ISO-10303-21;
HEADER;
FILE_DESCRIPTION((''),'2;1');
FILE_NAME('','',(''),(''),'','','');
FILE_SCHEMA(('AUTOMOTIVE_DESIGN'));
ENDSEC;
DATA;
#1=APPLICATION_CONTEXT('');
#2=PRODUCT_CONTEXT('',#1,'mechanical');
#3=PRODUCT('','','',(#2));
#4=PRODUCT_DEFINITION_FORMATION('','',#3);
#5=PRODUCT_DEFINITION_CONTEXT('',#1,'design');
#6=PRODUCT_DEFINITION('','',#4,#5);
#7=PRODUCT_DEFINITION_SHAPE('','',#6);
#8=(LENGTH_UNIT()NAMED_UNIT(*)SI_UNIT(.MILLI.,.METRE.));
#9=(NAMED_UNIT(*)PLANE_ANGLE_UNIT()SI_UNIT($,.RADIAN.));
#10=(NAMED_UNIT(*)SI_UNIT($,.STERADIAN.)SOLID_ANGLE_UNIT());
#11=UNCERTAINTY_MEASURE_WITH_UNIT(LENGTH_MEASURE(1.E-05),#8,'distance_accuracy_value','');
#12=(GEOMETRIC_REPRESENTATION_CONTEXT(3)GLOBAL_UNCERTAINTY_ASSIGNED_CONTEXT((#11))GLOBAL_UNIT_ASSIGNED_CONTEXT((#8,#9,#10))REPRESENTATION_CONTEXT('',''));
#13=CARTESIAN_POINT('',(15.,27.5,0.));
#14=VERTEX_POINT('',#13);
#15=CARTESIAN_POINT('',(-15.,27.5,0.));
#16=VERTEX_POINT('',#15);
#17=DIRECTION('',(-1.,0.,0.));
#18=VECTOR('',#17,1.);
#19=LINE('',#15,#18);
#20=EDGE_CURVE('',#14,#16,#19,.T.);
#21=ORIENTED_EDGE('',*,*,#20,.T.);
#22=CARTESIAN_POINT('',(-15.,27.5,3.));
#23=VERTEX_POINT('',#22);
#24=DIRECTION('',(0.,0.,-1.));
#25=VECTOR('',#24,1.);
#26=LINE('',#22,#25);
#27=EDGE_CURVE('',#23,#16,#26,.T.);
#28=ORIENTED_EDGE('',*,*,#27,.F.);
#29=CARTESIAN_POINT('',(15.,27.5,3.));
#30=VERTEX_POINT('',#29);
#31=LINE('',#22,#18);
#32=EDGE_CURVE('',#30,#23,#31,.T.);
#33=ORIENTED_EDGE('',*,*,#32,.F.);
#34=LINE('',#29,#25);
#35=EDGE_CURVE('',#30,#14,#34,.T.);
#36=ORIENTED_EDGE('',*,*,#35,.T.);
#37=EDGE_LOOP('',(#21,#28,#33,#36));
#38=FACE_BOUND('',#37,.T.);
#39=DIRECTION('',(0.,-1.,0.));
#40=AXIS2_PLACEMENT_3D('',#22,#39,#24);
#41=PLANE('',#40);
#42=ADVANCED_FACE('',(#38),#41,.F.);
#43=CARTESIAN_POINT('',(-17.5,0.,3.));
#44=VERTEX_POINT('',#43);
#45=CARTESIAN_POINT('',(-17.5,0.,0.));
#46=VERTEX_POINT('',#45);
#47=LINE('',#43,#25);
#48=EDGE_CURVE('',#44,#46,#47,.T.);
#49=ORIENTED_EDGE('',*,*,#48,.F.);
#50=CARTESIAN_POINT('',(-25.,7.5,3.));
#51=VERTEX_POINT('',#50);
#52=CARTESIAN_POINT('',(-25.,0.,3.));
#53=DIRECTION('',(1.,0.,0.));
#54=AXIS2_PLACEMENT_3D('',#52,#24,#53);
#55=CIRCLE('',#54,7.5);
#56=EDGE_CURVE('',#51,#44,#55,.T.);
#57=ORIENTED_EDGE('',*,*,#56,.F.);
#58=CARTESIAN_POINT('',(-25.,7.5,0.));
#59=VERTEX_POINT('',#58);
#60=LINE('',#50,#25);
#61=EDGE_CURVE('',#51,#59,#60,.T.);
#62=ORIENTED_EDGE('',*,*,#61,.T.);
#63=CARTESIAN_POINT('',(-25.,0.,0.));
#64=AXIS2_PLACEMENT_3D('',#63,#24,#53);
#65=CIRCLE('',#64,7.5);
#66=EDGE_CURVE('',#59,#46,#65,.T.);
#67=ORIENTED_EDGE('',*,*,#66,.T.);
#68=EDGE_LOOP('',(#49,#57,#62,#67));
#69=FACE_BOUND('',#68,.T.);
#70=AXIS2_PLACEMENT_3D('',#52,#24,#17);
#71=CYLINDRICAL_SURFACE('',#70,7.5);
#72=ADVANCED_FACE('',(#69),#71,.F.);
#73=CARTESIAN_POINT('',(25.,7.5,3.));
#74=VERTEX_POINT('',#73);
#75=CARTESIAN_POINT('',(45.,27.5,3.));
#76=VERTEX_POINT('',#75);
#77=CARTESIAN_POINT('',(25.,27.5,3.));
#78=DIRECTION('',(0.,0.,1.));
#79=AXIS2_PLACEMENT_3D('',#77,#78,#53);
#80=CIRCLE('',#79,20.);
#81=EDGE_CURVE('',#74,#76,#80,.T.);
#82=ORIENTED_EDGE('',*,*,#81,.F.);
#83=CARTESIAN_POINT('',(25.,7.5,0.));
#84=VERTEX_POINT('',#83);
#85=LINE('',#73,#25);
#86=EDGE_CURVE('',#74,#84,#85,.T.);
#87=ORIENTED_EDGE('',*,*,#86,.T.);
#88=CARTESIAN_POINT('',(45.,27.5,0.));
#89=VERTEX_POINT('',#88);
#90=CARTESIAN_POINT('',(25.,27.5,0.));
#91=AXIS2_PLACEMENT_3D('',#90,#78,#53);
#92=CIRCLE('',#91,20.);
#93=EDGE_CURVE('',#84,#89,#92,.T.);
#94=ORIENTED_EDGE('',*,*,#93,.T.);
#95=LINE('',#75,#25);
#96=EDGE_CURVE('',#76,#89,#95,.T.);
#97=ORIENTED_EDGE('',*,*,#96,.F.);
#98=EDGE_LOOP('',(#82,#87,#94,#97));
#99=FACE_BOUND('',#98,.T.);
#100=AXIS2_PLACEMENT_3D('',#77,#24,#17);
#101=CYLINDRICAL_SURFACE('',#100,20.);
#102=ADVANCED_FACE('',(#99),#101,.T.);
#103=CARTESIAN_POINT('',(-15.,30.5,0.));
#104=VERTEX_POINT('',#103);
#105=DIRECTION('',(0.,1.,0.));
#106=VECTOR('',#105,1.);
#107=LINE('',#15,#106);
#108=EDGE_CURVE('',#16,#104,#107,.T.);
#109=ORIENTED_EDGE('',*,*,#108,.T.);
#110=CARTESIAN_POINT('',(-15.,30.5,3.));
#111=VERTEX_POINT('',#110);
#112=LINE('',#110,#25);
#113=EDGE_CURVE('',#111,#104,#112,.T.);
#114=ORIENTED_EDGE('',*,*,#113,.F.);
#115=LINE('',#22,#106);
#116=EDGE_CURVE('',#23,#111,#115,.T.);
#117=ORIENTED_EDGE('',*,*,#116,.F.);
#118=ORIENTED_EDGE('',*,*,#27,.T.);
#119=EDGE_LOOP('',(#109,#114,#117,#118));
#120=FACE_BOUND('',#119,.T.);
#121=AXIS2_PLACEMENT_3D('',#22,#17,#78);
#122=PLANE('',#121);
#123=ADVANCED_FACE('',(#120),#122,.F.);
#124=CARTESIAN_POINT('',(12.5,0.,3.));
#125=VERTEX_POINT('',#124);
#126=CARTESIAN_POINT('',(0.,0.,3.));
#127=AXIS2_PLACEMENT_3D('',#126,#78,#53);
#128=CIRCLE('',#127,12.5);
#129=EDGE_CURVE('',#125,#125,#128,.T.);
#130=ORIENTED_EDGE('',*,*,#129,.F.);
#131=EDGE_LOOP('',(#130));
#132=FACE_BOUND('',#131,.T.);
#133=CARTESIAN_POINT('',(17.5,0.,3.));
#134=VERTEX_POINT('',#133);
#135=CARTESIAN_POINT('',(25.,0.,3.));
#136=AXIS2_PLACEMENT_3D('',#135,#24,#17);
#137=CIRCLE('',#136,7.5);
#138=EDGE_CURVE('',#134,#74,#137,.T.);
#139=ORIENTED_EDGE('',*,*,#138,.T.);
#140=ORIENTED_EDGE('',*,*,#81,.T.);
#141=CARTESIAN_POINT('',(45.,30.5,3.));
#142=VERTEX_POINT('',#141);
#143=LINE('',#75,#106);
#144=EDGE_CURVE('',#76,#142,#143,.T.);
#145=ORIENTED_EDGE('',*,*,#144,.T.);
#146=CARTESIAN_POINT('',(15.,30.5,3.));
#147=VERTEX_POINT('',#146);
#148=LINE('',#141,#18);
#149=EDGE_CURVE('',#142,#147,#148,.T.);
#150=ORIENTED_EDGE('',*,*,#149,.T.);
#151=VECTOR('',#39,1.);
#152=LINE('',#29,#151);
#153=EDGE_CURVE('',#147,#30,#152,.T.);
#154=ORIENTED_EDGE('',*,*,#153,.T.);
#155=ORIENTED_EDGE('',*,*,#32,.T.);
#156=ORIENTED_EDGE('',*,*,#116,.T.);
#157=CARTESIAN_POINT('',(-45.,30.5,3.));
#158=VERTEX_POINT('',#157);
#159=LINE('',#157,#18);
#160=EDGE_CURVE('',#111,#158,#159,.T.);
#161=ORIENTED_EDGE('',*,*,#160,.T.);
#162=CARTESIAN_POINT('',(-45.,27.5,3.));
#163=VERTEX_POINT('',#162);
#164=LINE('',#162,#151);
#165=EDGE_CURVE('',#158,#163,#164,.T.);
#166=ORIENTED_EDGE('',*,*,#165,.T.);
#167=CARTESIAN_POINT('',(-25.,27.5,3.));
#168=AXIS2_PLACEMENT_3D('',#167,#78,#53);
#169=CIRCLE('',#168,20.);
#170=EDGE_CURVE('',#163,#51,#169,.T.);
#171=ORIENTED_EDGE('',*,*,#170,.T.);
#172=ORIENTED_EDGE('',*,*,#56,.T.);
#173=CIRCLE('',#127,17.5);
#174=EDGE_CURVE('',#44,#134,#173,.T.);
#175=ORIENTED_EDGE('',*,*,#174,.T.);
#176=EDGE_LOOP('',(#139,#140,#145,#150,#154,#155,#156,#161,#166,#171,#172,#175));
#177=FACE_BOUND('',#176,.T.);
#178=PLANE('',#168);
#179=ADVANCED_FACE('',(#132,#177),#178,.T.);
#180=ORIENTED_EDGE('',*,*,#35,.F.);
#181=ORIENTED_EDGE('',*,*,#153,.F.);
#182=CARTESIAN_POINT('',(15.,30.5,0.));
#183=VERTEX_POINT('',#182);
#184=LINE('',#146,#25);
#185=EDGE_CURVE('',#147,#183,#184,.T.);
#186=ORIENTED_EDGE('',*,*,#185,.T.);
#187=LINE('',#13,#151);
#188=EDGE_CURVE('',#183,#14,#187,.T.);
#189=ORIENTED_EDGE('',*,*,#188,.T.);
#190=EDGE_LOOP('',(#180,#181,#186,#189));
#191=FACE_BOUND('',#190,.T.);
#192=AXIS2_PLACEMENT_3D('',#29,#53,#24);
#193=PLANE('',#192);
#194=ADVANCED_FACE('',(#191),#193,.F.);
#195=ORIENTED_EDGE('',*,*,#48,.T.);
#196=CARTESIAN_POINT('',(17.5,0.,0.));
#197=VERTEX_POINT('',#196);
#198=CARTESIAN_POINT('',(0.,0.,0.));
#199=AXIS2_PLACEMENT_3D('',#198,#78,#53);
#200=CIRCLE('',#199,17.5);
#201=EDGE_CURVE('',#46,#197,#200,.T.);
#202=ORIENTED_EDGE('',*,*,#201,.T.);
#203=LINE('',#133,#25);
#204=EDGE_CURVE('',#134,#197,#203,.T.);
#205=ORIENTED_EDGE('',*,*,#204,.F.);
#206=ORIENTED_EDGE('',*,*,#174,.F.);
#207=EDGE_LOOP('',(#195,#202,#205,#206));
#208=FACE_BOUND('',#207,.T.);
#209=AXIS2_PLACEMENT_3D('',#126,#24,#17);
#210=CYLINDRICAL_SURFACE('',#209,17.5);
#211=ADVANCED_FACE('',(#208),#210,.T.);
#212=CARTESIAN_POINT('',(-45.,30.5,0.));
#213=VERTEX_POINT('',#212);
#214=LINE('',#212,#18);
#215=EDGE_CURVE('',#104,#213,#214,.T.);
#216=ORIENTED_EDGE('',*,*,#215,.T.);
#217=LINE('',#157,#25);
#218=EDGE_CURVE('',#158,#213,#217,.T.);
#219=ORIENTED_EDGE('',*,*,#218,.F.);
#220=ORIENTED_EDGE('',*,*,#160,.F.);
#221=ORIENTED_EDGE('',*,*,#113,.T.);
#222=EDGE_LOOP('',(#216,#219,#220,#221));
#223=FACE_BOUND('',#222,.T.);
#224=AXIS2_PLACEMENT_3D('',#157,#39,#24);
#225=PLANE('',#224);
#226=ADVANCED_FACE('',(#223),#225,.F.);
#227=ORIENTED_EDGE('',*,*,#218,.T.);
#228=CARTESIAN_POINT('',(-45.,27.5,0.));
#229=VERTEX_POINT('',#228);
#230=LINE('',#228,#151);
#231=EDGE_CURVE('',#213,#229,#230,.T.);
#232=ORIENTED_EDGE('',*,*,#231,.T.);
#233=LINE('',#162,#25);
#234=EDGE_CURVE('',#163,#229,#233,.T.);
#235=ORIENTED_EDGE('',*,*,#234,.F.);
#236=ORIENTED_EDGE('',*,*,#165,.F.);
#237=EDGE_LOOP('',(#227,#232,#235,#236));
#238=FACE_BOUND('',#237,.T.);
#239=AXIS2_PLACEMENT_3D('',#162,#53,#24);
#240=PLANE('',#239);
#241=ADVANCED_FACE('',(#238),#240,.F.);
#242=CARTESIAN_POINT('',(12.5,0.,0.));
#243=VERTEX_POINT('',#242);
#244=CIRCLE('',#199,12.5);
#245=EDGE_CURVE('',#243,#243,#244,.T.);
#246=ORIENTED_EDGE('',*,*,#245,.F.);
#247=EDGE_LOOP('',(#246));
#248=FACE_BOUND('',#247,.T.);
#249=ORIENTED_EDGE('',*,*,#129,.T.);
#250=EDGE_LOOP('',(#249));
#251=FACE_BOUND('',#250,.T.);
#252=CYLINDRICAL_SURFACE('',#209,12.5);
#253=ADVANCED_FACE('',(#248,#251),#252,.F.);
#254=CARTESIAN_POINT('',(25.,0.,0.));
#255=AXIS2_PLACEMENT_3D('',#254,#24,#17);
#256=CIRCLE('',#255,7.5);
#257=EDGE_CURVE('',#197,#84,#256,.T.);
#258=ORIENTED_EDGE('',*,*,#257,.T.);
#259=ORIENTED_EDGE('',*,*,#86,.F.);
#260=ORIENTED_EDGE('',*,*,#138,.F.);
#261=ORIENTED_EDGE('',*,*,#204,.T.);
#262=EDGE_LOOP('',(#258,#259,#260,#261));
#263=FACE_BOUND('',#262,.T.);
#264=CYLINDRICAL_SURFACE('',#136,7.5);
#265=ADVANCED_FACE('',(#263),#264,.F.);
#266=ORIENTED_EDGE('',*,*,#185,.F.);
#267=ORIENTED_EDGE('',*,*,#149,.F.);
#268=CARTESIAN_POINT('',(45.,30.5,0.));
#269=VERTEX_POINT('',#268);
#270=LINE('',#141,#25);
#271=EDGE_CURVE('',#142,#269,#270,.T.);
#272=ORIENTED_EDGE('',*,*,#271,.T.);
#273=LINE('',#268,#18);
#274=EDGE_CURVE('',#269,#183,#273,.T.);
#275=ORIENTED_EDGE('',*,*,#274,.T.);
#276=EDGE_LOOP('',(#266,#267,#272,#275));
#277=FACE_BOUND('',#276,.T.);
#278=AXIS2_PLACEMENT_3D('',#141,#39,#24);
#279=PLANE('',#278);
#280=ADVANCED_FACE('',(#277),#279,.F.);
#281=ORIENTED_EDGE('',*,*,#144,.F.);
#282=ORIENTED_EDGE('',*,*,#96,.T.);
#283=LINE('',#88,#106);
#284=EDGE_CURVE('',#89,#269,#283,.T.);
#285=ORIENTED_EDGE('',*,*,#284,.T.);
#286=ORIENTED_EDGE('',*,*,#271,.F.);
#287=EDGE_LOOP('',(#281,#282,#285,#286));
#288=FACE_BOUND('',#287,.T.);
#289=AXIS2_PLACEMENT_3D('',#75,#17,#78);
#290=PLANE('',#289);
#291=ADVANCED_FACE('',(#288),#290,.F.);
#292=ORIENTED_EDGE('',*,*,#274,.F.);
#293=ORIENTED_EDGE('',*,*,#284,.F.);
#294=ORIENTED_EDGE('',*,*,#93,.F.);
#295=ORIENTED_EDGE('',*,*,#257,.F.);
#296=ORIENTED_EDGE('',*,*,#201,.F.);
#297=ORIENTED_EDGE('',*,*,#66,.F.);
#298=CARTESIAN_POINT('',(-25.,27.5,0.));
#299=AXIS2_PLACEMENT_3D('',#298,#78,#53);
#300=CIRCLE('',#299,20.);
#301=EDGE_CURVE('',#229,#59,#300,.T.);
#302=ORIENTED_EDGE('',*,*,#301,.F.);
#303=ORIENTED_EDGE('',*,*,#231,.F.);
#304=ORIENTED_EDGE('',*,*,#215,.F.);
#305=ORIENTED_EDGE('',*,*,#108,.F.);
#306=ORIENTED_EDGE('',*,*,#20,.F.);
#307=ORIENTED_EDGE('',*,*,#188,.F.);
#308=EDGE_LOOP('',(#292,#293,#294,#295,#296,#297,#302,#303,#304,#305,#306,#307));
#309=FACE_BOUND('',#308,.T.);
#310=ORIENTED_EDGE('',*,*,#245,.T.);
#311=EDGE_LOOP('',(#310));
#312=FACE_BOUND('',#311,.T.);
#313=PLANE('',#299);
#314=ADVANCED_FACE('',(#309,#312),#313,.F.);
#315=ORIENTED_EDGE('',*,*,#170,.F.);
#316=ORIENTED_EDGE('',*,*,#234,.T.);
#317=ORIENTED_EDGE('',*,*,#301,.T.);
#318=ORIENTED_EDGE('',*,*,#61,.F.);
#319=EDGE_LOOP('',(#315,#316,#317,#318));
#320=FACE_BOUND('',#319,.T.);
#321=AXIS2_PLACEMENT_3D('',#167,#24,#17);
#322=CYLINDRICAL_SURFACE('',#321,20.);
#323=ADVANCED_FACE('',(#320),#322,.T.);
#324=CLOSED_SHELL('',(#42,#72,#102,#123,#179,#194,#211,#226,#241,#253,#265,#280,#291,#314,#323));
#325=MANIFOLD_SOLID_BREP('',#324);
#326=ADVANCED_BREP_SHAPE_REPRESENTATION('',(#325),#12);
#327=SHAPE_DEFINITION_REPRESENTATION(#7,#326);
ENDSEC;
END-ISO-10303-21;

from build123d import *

# Parameters (mm, degrees)
SKETCH1_R           = 12.5
BOSS_EXTRUDE1_DEPTH = 3


with BuildPart() as part:
    # Sketch1 → Boss-Extrude1 (new body)
    with BuildSketch(Plane.XY):
        with BuildLine():
            Line((-15, 27.5), (15, 27.5))
            Line((15, 27.5), (15, 30.5))
            Line((15, 30.5), (45, 30.5))
            Line((45, 30.5), (45, 27.5))
            ThreePointArc((45, 27.5), (39.142135624, 13.357864376), (25, 7.5))
            ThreePointArc((25, 7.5), (19.696699141, 5.303300859), (17.5, 0))
            ThreePointArc((17.5, 0), (0, -17.5), (-17.5, 0))
            ThreePointArc((-17.5, 0), (-19.696699141, 5.303300859), (-25, 7.5))
            ThreePointArc((-25, 7.5), (-39.142135624, 13.357864376), (-45, 27.5))
            Line((-45, 27.5), (-45, 30.5))
            Line((-45, 30.5), (-15, 30.5))
            Line((-15, 30.5), (-15, 27.5))
        make_face()
        Circle(SKETCH1_R, mode=Mode.SUBTRACT)
    extrude(amount=BOSS_EXTRUDE1_DEPTH)


solid = part.part
